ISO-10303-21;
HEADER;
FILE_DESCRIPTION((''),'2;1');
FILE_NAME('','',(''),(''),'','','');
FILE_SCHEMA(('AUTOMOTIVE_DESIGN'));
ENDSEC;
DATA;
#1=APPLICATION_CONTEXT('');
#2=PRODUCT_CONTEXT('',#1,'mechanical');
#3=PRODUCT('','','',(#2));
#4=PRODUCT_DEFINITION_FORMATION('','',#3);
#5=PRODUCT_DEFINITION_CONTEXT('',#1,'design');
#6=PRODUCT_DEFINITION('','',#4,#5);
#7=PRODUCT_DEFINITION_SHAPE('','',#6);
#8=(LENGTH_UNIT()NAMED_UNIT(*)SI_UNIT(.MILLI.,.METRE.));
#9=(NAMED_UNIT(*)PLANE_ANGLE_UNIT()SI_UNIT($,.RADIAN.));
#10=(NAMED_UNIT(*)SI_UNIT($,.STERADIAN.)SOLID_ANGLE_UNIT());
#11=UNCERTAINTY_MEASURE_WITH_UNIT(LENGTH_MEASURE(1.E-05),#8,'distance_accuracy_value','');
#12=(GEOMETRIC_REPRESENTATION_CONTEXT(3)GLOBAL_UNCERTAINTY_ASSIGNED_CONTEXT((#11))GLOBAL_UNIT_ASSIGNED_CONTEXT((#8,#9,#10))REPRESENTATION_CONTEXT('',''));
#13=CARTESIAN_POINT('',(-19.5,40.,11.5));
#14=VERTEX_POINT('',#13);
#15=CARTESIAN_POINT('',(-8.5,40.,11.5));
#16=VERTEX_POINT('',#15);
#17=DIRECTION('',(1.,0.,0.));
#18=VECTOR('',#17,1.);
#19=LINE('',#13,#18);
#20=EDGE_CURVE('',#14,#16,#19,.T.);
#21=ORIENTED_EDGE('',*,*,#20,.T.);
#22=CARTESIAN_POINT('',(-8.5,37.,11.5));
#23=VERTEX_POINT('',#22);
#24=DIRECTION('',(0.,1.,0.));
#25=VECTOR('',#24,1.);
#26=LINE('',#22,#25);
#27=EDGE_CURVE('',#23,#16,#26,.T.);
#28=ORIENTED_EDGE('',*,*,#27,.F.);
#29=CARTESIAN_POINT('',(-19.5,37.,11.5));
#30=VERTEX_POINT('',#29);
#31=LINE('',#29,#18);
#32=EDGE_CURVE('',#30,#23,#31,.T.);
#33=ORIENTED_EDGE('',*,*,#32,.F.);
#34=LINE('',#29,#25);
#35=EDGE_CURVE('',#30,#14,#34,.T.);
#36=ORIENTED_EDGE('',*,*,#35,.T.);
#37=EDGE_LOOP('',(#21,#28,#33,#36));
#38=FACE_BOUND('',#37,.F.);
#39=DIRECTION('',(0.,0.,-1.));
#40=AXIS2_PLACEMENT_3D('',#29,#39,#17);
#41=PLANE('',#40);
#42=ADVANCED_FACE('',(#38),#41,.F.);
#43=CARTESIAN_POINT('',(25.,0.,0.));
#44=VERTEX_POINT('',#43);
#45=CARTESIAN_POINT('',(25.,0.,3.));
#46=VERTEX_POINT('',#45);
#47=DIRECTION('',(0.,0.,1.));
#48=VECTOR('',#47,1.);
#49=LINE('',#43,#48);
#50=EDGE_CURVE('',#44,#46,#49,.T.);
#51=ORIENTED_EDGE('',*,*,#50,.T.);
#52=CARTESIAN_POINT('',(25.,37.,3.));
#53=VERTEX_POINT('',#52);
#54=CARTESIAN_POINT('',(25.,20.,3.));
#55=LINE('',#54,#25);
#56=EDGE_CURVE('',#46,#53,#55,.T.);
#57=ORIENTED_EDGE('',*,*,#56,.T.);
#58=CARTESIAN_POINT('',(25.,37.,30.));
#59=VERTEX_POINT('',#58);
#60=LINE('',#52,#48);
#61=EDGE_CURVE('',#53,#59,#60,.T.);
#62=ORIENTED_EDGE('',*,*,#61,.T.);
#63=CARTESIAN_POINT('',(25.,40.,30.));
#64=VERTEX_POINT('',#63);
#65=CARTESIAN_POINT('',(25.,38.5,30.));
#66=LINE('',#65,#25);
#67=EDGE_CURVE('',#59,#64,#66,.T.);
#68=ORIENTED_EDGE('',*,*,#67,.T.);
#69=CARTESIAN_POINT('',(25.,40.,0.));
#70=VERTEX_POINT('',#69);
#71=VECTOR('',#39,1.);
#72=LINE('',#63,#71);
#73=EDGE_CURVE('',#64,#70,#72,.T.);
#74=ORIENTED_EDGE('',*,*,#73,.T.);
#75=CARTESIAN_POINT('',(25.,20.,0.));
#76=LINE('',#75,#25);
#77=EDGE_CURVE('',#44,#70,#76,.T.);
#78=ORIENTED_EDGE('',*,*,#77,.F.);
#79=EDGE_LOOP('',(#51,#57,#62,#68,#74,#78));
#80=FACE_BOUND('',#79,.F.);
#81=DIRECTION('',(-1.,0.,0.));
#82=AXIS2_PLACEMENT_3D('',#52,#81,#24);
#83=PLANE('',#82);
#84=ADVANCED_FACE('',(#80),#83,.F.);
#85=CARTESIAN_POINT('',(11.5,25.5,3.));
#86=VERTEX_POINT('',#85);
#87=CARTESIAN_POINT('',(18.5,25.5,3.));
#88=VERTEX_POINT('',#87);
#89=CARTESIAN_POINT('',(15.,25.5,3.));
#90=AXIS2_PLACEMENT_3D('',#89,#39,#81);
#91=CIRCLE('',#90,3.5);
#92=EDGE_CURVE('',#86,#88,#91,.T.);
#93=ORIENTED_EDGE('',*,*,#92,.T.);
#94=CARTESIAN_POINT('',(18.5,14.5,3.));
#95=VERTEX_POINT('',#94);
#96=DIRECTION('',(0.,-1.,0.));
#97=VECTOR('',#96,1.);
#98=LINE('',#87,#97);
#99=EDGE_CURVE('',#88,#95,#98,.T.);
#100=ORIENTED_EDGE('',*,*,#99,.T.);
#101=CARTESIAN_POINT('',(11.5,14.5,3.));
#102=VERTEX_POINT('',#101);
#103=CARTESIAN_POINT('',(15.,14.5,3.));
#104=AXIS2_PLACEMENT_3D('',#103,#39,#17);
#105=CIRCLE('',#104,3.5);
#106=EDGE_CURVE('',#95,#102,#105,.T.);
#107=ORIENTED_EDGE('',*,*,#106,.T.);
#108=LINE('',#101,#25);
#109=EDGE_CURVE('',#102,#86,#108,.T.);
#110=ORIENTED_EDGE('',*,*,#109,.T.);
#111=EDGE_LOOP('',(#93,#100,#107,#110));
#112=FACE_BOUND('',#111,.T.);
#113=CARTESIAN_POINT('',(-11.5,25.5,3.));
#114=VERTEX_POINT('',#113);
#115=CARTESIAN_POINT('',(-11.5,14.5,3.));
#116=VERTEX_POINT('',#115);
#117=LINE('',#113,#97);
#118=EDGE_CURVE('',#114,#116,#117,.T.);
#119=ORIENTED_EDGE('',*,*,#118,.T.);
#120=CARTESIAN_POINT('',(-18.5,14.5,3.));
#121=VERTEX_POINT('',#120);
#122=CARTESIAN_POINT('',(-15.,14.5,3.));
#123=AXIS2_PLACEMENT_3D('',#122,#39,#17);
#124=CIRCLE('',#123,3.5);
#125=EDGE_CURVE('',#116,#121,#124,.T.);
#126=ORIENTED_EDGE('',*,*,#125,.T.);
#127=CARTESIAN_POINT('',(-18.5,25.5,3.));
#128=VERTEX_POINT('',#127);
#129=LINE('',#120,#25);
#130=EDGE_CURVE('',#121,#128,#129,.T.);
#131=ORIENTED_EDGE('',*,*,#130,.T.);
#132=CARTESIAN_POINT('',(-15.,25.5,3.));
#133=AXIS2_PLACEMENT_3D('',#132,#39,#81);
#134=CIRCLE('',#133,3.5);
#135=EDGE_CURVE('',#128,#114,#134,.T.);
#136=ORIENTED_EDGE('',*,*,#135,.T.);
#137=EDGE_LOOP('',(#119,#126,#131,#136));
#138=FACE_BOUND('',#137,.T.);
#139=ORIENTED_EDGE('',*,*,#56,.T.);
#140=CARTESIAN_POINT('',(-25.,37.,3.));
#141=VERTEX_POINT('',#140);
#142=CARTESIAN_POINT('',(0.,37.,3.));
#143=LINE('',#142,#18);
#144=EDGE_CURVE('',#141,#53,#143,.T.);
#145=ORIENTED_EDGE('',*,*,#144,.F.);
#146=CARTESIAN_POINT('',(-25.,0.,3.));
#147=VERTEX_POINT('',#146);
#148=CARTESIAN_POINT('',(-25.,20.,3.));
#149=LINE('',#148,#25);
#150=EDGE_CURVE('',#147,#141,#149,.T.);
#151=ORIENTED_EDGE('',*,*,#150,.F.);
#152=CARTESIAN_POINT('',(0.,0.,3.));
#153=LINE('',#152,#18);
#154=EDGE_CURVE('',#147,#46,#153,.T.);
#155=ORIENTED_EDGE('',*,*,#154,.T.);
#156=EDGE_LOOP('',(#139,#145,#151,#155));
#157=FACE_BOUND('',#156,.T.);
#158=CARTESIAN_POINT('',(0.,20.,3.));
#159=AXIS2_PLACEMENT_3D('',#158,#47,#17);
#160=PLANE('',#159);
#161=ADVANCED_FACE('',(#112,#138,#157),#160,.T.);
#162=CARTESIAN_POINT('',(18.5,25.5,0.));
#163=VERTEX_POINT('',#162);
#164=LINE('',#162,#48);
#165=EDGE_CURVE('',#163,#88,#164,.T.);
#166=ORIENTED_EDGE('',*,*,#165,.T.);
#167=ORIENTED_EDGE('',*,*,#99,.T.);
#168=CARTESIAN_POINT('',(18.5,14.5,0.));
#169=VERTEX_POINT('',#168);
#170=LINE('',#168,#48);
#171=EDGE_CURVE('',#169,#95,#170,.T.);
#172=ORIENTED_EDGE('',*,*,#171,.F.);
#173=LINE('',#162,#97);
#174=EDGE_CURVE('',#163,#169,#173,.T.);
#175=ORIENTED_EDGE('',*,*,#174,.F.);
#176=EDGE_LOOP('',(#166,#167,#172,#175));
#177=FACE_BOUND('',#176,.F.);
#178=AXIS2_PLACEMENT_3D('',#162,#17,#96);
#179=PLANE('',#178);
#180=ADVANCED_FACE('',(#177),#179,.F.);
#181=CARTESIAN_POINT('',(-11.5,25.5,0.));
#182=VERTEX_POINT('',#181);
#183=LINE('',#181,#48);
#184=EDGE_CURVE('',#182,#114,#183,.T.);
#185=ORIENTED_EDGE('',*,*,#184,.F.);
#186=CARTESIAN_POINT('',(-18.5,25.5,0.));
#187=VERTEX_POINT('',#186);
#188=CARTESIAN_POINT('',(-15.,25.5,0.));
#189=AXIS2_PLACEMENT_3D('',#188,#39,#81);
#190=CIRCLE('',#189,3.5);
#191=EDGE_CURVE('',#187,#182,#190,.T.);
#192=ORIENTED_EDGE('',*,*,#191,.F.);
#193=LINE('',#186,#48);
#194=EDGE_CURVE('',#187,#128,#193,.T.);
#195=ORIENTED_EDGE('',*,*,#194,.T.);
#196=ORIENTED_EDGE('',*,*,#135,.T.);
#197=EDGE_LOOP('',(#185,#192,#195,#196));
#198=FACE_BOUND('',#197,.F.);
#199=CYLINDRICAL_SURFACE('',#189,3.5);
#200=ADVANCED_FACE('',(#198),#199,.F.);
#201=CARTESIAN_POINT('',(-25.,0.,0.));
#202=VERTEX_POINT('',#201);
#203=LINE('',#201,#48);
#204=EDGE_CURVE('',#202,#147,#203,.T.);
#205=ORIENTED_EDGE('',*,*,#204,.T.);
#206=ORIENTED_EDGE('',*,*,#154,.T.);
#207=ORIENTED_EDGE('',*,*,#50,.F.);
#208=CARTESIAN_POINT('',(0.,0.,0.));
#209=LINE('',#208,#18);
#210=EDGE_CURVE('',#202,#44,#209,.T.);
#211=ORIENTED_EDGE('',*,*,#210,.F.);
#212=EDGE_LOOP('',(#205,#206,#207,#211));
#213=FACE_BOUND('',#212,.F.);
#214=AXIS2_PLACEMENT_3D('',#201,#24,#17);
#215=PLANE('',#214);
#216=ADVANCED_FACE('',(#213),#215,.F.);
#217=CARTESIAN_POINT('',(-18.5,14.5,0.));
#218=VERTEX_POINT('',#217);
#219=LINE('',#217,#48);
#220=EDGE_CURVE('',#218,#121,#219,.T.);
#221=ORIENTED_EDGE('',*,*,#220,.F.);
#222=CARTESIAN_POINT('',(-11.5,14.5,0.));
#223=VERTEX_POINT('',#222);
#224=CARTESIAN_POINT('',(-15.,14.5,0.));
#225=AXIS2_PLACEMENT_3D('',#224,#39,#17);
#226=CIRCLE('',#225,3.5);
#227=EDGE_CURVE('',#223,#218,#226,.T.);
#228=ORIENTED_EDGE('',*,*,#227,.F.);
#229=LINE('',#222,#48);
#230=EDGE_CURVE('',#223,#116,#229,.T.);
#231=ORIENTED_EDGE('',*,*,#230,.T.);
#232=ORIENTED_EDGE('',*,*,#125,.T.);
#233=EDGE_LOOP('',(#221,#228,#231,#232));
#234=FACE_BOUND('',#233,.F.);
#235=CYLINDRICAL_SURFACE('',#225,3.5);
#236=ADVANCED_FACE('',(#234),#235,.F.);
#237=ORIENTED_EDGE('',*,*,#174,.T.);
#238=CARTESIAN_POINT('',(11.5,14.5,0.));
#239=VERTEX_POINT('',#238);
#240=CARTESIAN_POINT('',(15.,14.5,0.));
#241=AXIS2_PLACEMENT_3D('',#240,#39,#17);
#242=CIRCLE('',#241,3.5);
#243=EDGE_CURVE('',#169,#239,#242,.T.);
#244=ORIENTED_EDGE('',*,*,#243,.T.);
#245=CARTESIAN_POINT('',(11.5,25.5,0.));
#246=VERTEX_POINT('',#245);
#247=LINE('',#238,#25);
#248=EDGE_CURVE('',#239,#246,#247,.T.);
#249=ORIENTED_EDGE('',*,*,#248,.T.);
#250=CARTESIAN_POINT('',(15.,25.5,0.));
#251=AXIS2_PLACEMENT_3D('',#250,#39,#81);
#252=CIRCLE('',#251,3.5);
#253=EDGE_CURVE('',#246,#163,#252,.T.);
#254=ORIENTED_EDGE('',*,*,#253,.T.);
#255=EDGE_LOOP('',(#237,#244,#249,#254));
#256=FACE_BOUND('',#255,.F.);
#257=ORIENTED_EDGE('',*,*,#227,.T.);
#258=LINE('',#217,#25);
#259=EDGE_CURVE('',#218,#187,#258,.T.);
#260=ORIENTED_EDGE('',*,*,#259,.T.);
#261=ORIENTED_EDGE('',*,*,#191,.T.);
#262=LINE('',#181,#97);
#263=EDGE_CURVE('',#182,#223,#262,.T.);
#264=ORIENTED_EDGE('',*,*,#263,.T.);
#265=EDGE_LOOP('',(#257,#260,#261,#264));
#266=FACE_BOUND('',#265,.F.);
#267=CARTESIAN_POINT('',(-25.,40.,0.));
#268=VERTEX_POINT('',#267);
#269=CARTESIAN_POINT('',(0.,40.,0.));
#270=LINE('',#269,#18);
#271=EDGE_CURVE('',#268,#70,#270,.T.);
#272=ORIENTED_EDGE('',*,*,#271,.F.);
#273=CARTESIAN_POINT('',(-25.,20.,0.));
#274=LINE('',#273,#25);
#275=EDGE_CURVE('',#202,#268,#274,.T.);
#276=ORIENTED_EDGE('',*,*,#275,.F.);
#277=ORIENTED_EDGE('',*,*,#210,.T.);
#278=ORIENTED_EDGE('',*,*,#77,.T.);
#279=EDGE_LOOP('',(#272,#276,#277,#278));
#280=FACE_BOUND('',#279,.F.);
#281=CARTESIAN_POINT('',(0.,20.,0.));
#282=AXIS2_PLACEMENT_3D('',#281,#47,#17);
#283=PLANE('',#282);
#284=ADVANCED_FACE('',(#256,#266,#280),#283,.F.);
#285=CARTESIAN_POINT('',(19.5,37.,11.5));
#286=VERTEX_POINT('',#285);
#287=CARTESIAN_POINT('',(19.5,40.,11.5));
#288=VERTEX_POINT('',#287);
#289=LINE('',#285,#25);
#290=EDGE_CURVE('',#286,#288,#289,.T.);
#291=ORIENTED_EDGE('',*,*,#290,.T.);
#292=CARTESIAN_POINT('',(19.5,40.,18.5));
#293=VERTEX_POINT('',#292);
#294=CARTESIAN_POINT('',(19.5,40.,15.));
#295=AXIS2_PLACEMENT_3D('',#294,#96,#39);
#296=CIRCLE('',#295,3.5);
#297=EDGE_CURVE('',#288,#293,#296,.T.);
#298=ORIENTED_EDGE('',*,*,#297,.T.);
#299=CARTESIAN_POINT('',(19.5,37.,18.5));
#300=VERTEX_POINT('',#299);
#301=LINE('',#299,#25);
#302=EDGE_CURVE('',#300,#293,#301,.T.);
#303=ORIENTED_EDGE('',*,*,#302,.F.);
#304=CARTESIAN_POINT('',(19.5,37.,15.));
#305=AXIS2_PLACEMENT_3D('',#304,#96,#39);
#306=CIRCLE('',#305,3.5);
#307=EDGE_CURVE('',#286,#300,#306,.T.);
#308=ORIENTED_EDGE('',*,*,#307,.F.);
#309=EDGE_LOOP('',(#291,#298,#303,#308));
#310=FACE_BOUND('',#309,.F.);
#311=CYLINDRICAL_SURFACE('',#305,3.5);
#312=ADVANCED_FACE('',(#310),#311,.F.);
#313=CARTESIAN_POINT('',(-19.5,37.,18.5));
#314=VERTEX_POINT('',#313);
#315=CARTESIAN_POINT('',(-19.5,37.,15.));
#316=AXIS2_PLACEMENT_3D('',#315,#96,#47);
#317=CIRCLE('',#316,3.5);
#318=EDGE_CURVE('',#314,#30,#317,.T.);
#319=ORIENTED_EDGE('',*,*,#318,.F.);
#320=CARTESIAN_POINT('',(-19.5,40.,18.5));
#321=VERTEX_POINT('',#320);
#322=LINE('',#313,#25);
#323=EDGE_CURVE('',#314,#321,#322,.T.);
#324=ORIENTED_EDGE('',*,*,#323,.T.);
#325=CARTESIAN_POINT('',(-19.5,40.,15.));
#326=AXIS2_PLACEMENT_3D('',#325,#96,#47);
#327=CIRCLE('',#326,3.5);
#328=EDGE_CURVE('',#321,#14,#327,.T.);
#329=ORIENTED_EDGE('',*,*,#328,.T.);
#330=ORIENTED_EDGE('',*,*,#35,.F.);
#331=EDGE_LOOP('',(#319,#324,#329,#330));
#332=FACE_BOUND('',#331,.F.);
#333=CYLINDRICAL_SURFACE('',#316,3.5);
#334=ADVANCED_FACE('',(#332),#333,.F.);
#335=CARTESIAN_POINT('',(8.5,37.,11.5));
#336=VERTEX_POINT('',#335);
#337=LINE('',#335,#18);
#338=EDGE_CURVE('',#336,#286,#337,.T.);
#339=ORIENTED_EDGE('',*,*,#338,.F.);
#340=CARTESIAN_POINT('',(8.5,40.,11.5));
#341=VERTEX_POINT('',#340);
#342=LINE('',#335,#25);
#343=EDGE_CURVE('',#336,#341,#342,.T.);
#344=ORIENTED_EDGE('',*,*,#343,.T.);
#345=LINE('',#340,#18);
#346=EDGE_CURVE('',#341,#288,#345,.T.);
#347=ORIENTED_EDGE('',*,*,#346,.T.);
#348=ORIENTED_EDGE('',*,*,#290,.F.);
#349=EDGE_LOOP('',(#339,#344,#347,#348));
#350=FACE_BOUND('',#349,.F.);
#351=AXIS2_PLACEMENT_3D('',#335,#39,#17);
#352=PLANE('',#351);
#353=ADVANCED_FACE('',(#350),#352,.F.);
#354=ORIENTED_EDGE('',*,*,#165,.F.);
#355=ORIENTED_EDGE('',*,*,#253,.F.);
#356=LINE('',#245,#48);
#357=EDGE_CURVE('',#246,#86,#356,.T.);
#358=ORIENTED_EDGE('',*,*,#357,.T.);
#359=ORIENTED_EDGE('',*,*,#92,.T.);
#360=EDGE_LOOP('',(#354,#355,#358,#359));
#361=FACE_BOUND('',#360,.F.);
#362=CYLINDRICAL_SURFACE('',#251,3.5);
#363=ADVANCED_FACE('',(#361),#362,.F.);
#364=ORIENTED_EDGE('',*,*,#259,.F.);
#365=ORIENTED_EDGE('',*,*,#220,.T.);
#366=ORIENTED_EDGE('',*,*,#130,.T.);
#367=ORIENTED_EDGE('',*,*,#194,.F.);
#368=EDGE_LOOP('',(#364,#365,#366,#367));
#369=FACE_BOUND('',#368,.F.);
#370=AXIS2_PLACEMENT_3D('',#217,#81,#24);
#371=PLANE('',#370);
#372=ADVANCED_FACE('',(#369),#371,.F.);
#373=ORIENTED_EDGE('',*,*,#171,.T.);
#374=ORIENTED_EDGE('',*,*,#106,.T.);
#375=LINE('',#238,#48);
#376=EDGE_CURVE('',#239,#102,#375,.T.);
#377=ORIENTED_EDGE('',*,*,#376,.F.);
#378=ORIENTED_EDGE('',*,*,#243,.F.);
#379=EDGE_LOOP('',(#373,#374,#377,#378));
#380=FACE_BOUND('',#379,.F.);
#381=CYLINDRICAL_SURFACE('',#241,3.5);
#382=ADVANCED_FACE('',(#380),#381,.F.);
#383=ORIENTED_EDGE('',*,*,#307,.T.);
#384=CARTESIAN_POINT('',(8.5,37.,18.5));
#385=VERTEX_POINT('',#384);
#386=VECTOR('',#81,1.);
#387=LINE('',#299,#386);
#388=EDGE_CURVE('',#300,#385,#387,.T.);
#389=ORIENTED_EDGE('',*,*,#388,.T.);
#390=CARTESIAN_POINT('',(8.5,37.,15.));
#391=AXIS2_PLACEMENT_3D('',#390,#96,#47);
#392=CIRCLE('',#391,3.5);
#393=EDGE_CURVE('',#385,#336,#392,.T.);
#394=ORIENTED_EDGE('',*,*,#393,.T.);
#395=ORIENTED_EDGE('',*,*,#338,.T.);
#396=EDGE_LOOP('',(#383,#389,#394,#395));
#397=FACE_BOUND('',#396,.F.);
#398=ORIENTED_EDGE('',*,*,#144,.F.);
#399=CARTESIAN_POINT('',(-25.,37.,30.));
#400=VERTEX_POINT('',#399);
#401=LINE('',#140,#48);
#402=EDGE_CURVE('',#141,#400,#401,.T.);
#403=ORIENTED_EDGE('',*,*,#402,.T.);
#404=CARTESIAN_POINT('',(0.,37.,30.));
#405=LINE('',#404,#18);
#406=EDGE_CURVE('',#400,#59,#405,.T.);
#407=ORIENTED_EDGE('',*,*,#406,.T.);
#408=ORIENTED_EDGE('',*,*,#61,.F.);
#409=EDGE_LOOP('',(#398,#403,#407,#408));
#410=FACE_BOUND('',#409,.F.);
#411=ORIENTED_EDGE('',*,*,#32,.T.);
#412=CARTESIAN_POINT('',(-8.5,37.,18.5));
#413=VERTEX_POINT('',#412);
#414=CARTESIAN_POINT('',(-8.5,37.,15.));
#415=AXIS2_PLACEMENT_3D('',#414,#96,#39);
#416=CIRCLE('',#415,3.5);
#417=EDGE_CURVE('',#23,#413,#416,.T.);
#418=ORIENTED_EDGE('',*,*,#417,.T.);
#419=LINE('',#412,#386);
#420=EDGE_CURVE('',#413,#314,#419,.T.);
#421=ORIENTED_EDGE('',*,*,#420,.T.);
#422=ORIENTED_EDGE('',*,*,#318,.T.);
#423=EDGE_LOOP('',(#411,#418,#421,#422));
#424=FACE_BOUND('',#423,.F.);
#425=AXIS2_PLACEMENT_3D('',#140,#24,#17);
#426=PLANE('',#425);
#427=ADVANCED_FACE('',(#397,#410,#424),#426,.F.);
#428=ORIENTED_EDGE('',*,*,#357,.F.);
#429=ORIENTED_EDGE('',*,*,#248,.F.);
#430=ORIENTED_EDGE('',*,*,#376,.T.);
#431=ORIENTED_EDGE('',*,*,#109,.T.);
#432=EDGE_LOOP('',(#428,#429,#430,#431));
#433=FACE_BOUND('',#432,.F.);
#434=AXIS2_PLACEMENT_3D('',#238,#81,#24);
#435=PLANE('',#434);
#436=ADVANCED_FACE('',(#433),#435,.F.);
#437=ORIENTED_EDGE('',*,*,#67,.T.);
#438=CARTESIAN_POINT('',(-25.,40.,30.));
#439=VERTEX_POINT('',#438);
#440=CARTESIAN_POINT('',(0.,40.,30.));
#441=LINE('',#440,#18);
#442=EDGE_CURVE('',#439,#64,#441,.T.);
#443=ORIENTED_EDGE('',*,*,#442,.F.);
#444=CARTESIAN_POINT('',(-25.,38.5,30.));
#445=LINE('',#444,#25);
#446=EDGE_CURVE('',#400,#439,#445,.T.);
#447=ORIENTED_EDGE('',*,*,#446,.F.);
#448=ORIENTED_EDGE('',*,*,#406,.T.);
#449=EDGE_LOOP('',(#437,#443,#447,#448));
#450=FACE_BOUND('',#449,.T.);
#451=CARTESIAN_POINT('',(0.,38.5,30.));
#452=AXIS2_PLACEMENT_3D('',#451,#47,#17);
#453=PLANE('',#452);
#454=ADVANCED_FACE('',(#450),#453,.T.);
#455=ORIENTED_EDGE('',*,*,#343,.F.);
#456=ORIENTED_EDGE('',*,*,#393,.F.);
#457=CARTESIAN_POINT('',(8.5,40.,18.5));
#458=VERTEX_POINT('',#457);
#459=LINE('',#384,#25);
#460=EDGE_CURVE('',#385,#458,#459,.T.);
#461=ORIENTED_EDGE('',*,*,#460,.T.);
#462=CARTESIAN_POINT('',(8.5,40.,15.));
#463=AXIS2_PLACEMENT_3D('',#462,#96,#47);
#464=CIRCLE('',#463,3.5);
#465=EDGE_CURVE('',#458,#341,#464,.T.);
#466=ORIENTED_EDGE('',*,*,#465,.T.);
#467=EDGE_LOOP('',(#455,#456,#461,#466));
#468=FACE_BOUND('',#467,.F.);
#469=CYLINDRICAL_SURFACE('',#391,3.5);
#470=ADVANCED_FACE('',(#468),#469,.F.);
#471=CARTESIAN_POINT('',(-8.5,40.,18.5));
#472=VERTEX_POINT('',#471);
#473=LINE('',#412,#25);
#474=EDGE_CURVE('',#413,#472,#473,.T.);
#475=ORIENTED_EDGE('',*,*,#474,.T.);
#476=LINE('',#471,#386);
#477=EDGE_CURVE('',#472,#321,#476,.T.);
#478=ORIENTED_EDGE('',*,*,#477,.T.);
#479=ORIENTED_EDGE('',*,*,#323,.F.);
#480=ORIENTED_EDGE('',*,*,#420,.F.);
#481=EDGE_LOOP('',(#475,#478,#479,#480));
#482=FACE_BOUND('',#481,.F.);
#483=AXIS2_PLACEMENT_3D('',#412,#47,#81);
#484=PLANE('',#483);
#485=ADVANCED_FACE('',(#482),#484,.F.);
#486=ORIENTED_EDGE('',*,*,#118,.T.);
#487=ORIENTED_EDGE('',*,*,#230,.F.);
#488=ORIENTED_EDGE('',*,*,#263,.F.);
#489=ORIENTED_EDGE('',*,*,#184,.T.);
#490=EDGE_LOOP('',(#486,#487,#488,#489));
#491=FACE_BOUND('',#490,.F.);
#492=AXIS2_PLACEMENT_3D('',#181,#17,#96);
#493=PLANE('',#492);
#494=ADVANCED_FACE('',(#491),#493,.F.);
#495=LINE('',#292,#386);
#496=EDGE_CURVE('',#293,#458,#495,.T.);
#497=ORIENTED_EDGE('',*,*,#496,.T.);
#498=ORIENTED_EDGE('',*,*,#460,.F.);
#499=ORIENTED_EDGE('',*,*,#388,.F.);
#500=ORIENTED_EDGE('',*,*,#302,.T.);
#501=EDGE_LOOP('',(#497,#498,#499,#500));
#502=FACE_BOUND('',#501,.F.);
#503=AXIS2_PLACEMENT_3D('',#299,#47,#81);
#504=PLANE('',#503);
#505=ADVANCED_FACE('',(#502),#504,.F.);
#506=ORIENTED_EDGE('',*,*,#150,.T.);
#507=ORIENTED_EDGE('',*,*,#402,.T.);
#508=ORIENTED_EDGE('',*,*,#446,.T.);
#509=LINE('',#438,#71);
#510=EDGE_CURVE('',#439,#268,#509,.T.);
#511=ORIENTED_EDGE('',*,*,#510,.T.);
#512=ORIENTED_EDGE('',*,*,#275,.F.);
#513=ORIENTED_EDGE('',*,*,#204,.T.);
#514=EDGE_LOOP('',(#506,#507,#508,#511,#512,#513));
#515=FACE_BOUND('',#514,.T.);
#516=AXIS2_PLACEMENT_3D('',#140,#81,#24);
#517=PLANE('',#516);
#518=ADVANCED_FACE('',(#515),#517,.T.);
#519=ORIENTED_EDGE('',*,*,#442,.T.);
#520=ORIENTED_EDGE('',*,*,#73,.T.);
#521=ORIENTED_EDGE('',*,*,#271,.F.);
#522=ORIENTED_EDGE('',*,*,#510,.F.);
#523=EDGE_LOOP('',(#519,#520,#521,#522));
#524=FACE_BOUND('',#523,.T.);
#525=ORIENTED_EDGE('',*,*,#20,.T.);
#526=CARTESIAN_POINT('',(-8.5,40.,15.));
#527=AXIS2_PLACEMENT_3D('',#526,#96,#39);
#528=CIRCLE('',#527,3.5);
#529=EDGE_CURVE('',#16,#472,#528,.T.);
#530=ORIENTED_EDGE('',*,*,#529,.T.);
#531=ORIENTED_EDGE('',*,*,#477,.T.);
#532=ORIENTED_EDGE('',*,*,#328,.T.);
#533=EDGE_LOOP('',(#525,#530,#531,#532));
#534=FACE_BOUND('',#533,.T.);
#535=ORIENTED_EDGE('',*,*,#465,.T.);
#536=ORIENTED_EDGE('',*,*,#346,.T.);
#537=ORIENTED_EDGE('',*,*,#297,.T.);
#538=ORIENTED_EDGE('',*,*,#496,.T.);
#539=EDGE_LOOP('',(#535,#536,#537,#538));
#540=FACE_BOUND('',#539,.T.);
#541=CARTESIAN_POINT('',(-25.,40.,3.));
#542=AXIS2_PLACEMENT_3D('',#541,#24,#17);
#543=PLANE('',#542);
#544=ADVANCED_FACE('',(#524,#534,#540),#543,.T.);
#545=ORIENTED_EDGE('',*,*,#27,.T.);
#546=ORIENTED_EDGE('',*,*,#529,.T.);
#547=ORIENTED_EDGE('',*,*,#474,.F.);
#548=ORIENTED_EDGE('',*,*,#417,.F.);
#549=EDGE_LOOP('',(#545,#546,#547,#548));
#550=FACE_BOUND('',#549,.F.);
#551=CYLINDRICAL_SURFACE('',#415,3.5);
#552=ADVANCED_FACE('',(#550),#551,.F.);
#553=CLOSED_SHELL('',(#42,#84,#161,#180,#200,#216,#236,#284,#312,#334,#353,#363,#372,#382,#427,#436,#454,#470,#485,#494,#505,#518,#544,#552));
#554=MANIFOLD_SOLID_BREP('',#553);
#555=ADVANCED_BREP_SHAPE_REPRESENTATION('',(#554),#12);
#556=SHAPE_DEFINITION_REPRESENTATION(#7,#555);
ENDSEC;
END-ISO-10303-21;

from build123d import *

# Parameters (mm, degrees)
F0_W     = 50
F0_H     = 40
F1_DEPTH = 3
F2_W     = 50
F2_H     = 3
F3_DEPTH = 27
F5_DEPTH = 3


with BuildPart() as f1:
    # F0 (on Top) → F1 (new body)
    with BuildSketch(Plane.XY):
        with Locations((0, 20)):
            Rectangle(F0_W, F0_H)
        with BuildLine():
            Line((-11.5, 25.5), (-11.5, 14.5))
            ThreePointArc((-11.5, 14.5), (-15, 11), (-18.5, 14.5))
            Line((-18.5, 14.5), (-18.5, 25.5))
            ThreePointArc((-18.5, 25.5), (-15, 29), (-11.5, 25.5))
        make_face(mode=Mode.SUBTRACT)
        with BuildLine():
            Line((11.5, 14.5), (11.5, 25.5))
            ThreePointArc((11.5, 25.5), (15, 29), (18.5, 25.5))
            Line((18.5, 25.5), (18.5, 14.5))
            ThreePointArc((18.5, 14.5), (15, 11), (11.5, 14.5))
        make_face(mode=Mode.SUBTRACT)
    extrude(amount=F1_DEPTH)

    # F2 (on face) → F3 (join)
    with BuildSketch(Plane.XY.offset(3)):
        with Locations((0, 38.5)):
            Rectangle(F2_W, F2_H)
    extrude(amount=F3_DEPTH)

    # F4 (on face) → F5 (cut)
    with BuildSketch(Plane.XZ.offset(-37)):
        with BuildLine():
            Line((-19.5, 11.5), (-8.5, 11.5))
            ThreePointArc((-8.5, 11.5), (-5, 15), (-8.5, 18.5))
            Line((-8.5, 18.5), (-19.5, 18.5))
            ThreePointArc((-19.5, 18.5), (-23, 15), (-19.5, 11.5))
        make_face()
        with BuildLine():
            ThreePointArc((8.5, 18.5), (5, 15), (8.5, 11.5))
            Line((8.5, 11.5), (19.5, 11.5))
            ThreePointArc((19.5, 11.5), (23, 15), (19.5, 18.5))
            Line((19.5, 18.5), (8.5, 18.5))
        make_face()
    extrude(amount=-F5_DEPTH, mode=Mode.SUBTRACT)


solid = f1.part
